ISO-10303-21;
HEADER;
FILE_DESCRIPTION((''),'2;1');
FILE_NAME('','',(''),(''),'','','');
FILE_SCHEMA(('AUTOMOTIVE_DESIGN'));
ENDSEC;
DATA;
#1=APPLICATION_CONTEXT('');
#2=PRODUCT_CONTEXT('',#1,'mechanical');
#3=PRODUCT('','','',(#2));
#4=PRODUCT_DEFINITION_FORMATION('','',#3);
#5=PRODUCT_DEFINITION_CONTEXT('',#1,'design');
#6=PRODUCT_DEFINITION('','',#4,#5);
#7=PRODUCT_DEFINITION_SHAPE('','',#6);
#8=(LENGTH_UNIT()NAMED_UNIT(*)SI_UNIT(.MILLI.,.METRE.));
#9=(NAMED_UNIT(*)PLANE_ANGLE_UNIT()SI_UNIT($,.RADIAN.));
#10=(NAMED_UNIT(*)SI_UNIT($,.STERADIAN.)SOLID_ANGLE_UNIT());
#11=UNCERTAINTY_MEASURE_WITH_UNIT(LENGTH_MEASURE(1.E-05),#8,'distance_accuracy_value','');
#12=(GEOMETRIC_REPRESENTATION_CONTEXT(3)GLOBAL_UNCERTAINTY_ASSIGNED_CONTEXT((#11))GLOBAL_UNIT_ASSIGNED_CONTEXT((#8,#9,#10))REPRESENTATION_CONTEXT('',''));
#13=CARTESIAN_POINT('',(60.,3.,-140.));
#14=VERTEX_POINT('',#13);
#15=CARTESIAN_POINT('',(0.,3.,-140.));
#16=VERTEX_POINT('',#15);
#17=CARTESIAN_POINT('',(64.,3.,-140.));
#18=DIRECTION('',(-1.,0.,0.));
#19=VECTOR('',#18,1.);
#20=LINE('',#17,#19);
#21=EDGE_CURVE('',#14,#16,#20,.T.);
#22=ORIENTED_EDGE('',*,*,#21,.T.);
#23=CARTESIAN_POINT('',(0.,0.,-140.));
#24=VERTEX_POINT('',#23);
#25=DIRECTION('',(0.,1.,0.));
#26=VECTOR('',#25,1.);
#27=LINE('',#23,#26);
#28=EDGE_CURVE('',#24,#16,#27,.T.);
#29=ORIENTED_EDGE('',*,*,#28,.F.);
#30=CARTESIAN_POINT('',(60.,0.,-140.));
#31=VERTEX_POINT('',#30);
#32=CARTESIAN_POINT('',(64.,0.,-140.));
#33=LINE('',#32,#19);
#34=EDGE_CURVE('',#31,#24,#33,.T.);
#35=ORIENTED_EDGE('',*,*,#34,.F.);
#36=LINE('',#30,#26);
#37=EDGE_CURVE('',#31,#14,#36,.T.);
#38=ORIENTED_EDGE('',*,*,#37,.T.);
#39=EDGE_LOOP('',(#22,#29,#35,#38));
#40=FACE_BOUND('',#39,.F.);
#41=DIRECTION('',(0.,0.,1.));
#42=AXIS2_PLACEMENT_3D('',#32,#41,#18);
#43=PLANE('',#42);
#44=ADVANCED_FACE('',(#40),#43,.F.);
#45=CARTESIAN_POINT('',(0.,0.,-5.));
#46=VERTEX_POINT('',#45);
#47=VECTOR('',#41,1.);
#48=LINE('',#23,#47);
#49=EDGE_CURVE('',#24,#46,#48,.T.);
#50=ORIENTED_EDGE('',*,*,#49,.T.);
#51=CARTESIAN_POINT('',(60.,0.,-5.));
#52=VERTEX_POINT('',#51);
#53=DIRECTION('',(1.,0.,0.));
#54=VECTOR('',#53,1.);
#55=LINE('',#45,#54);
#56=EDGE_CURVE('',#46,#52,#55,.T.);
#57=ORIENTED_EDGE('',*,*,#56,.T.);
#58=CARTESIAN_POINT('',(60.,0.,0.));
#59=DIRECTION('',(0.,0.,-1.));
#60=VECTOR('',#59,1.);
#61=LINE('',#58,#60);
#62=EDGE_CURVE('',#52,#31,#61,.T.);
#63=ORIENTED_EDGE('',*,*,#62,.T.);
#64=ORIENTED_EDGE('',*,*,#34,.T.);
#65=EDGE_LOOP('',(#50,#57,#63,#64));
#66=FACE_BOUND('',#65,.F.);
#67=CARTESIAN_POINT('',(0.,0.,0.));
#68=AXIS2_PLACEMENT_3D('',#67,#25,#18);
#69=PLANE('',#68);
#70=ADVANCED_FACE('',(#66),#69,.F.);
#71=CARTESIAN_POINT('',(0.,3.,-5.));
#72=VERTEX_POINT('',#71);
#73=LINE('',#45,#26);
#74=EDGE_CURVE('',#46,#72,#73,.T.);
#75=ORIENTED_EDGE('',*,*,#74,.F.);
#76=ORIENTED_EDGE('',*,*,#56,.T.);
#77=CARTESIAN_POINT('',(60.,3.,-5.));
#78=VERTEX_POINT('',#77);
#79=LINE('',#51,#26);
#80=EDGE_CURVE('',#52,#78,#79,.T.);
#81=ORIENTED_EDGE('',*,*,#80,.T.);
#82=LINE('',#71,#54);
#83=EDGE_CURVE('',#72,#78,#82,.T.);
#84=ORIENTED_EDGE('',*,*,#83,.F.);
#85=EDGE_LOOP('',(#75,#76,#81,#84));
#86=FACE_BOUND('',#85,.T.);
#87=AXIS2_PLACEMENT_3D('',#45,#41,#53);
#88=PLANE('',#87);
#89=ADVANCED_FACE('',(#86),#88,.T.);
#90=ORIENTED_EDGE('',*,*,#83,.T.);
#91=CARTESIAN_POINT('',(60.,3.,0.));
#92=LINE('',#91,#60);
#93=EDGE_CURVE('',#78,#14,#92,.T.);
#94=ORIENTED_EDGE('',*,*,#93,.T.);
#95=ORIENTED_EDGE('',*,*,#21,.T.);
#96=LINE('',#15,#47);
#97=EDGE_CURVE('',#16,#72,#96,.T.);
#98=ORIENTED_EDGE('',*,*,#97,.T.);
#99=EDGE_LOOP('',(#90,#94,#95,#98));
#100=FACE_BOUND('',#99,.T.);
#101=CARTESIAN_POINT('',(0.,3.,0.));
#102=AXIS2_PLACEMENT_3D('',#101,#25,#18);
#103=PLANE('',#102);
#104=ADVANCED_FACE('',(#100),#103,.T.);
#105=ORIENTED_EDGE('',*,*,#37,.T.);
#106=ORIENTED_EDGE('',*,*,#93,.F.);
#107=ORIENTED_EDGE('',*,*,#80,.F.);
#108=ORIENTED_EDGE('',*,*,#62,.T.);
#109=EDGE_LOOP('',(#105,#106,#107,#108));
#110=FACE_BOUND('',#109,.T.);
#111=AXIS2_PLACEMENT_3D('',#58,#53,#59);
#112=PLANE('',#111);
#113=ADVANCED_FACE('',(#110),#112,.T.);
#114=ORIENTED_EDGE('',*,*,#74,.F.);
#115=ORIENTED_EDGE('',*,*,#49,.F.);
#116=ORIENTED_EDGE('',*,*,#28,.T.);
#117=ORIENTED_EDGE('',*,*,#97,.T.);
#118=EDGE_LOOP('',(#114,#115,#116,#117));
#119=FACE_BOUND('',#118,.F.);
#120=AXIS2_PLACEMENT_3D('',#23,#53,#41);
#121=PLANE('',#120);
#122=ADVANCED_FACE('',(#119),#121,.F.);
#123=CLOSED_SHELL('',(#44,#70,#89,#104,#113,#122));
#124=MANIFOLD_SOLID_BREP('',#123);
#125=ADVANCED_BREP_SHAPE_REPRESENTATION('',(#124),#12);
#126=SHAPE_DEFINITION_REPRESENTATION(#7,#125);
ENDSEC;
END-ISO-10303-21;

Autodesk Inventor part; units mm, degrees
ref_plane "YZ Plane" through (0, 0, 0) normal (1, 0, 0) x (0, 1, 0)
ref_plane "XZ Plane" through (0, 0, 0) normal (0, 1, 0) x (-1, 0, 0)
ref_plane "XY Plane" through (0, 0, 0) normal (0, 0, 1) x (1, 0, 0)
sketch "Boceto1" plane through (0, 0, 0) normal (0, 1, 0) x (-1, 0, 0)
  line L0 (0, 0) -> (-64, 0)
  line L1 (-64, 0) -> (-64, -140)
  line L2 (-64, -140) -> (0, -140)
  line L3 (0, -140) -> (0, 0)
  dimension "d0" = 64
  dimension "d1" = 140
extrude "Extrusión1" add sketch "Boceto1" along normal blind 3
sketch "Boceto2" plane through (64, 0, 0) normal (1, 0, 0) x (0, 0, -1)
  line L0 (0, 0) -> (140, 0) projected
  line L1 (140, 0) -> (140, 3) projected
  line L2 (0, 3) -> (140, 3) projected
  line L3 (0, 0) -> (0, 3) projected
extrude "Extrusión2" cut sketch "Boceto2" against normal blind 4
sketch "Boceto3" plane through (0, 0, 0) normal (0, 0, 1) x (1, 0, 0)
  line L0 (60, 0) -> (60, 3) projected
  line L1 (0, 3) -> (60, 3) projected
  line L2 (0, 0) -> (0, 3) projected
  line L3 (0, 0) -> (60, 0) projected
extrude "Extrusión3" cut sketch "Boceto3" along normal blind 5
sketch "Boceto4" plane through (0, 0, 0) normal (0, 0, 1) x (1, 0, 0)
  line L0 (60, 0) -> (60, 3) projected
  line L1 (0, 3) -> (60, 3) projected
  line L2 (0, 0) -> (0, 3) projected
  line L3 (0, 0) -> (60, 0) projected
extrude "Extrusión4" cut sketch "Boceto4" against normal blind 5
properties part number "laterales"
